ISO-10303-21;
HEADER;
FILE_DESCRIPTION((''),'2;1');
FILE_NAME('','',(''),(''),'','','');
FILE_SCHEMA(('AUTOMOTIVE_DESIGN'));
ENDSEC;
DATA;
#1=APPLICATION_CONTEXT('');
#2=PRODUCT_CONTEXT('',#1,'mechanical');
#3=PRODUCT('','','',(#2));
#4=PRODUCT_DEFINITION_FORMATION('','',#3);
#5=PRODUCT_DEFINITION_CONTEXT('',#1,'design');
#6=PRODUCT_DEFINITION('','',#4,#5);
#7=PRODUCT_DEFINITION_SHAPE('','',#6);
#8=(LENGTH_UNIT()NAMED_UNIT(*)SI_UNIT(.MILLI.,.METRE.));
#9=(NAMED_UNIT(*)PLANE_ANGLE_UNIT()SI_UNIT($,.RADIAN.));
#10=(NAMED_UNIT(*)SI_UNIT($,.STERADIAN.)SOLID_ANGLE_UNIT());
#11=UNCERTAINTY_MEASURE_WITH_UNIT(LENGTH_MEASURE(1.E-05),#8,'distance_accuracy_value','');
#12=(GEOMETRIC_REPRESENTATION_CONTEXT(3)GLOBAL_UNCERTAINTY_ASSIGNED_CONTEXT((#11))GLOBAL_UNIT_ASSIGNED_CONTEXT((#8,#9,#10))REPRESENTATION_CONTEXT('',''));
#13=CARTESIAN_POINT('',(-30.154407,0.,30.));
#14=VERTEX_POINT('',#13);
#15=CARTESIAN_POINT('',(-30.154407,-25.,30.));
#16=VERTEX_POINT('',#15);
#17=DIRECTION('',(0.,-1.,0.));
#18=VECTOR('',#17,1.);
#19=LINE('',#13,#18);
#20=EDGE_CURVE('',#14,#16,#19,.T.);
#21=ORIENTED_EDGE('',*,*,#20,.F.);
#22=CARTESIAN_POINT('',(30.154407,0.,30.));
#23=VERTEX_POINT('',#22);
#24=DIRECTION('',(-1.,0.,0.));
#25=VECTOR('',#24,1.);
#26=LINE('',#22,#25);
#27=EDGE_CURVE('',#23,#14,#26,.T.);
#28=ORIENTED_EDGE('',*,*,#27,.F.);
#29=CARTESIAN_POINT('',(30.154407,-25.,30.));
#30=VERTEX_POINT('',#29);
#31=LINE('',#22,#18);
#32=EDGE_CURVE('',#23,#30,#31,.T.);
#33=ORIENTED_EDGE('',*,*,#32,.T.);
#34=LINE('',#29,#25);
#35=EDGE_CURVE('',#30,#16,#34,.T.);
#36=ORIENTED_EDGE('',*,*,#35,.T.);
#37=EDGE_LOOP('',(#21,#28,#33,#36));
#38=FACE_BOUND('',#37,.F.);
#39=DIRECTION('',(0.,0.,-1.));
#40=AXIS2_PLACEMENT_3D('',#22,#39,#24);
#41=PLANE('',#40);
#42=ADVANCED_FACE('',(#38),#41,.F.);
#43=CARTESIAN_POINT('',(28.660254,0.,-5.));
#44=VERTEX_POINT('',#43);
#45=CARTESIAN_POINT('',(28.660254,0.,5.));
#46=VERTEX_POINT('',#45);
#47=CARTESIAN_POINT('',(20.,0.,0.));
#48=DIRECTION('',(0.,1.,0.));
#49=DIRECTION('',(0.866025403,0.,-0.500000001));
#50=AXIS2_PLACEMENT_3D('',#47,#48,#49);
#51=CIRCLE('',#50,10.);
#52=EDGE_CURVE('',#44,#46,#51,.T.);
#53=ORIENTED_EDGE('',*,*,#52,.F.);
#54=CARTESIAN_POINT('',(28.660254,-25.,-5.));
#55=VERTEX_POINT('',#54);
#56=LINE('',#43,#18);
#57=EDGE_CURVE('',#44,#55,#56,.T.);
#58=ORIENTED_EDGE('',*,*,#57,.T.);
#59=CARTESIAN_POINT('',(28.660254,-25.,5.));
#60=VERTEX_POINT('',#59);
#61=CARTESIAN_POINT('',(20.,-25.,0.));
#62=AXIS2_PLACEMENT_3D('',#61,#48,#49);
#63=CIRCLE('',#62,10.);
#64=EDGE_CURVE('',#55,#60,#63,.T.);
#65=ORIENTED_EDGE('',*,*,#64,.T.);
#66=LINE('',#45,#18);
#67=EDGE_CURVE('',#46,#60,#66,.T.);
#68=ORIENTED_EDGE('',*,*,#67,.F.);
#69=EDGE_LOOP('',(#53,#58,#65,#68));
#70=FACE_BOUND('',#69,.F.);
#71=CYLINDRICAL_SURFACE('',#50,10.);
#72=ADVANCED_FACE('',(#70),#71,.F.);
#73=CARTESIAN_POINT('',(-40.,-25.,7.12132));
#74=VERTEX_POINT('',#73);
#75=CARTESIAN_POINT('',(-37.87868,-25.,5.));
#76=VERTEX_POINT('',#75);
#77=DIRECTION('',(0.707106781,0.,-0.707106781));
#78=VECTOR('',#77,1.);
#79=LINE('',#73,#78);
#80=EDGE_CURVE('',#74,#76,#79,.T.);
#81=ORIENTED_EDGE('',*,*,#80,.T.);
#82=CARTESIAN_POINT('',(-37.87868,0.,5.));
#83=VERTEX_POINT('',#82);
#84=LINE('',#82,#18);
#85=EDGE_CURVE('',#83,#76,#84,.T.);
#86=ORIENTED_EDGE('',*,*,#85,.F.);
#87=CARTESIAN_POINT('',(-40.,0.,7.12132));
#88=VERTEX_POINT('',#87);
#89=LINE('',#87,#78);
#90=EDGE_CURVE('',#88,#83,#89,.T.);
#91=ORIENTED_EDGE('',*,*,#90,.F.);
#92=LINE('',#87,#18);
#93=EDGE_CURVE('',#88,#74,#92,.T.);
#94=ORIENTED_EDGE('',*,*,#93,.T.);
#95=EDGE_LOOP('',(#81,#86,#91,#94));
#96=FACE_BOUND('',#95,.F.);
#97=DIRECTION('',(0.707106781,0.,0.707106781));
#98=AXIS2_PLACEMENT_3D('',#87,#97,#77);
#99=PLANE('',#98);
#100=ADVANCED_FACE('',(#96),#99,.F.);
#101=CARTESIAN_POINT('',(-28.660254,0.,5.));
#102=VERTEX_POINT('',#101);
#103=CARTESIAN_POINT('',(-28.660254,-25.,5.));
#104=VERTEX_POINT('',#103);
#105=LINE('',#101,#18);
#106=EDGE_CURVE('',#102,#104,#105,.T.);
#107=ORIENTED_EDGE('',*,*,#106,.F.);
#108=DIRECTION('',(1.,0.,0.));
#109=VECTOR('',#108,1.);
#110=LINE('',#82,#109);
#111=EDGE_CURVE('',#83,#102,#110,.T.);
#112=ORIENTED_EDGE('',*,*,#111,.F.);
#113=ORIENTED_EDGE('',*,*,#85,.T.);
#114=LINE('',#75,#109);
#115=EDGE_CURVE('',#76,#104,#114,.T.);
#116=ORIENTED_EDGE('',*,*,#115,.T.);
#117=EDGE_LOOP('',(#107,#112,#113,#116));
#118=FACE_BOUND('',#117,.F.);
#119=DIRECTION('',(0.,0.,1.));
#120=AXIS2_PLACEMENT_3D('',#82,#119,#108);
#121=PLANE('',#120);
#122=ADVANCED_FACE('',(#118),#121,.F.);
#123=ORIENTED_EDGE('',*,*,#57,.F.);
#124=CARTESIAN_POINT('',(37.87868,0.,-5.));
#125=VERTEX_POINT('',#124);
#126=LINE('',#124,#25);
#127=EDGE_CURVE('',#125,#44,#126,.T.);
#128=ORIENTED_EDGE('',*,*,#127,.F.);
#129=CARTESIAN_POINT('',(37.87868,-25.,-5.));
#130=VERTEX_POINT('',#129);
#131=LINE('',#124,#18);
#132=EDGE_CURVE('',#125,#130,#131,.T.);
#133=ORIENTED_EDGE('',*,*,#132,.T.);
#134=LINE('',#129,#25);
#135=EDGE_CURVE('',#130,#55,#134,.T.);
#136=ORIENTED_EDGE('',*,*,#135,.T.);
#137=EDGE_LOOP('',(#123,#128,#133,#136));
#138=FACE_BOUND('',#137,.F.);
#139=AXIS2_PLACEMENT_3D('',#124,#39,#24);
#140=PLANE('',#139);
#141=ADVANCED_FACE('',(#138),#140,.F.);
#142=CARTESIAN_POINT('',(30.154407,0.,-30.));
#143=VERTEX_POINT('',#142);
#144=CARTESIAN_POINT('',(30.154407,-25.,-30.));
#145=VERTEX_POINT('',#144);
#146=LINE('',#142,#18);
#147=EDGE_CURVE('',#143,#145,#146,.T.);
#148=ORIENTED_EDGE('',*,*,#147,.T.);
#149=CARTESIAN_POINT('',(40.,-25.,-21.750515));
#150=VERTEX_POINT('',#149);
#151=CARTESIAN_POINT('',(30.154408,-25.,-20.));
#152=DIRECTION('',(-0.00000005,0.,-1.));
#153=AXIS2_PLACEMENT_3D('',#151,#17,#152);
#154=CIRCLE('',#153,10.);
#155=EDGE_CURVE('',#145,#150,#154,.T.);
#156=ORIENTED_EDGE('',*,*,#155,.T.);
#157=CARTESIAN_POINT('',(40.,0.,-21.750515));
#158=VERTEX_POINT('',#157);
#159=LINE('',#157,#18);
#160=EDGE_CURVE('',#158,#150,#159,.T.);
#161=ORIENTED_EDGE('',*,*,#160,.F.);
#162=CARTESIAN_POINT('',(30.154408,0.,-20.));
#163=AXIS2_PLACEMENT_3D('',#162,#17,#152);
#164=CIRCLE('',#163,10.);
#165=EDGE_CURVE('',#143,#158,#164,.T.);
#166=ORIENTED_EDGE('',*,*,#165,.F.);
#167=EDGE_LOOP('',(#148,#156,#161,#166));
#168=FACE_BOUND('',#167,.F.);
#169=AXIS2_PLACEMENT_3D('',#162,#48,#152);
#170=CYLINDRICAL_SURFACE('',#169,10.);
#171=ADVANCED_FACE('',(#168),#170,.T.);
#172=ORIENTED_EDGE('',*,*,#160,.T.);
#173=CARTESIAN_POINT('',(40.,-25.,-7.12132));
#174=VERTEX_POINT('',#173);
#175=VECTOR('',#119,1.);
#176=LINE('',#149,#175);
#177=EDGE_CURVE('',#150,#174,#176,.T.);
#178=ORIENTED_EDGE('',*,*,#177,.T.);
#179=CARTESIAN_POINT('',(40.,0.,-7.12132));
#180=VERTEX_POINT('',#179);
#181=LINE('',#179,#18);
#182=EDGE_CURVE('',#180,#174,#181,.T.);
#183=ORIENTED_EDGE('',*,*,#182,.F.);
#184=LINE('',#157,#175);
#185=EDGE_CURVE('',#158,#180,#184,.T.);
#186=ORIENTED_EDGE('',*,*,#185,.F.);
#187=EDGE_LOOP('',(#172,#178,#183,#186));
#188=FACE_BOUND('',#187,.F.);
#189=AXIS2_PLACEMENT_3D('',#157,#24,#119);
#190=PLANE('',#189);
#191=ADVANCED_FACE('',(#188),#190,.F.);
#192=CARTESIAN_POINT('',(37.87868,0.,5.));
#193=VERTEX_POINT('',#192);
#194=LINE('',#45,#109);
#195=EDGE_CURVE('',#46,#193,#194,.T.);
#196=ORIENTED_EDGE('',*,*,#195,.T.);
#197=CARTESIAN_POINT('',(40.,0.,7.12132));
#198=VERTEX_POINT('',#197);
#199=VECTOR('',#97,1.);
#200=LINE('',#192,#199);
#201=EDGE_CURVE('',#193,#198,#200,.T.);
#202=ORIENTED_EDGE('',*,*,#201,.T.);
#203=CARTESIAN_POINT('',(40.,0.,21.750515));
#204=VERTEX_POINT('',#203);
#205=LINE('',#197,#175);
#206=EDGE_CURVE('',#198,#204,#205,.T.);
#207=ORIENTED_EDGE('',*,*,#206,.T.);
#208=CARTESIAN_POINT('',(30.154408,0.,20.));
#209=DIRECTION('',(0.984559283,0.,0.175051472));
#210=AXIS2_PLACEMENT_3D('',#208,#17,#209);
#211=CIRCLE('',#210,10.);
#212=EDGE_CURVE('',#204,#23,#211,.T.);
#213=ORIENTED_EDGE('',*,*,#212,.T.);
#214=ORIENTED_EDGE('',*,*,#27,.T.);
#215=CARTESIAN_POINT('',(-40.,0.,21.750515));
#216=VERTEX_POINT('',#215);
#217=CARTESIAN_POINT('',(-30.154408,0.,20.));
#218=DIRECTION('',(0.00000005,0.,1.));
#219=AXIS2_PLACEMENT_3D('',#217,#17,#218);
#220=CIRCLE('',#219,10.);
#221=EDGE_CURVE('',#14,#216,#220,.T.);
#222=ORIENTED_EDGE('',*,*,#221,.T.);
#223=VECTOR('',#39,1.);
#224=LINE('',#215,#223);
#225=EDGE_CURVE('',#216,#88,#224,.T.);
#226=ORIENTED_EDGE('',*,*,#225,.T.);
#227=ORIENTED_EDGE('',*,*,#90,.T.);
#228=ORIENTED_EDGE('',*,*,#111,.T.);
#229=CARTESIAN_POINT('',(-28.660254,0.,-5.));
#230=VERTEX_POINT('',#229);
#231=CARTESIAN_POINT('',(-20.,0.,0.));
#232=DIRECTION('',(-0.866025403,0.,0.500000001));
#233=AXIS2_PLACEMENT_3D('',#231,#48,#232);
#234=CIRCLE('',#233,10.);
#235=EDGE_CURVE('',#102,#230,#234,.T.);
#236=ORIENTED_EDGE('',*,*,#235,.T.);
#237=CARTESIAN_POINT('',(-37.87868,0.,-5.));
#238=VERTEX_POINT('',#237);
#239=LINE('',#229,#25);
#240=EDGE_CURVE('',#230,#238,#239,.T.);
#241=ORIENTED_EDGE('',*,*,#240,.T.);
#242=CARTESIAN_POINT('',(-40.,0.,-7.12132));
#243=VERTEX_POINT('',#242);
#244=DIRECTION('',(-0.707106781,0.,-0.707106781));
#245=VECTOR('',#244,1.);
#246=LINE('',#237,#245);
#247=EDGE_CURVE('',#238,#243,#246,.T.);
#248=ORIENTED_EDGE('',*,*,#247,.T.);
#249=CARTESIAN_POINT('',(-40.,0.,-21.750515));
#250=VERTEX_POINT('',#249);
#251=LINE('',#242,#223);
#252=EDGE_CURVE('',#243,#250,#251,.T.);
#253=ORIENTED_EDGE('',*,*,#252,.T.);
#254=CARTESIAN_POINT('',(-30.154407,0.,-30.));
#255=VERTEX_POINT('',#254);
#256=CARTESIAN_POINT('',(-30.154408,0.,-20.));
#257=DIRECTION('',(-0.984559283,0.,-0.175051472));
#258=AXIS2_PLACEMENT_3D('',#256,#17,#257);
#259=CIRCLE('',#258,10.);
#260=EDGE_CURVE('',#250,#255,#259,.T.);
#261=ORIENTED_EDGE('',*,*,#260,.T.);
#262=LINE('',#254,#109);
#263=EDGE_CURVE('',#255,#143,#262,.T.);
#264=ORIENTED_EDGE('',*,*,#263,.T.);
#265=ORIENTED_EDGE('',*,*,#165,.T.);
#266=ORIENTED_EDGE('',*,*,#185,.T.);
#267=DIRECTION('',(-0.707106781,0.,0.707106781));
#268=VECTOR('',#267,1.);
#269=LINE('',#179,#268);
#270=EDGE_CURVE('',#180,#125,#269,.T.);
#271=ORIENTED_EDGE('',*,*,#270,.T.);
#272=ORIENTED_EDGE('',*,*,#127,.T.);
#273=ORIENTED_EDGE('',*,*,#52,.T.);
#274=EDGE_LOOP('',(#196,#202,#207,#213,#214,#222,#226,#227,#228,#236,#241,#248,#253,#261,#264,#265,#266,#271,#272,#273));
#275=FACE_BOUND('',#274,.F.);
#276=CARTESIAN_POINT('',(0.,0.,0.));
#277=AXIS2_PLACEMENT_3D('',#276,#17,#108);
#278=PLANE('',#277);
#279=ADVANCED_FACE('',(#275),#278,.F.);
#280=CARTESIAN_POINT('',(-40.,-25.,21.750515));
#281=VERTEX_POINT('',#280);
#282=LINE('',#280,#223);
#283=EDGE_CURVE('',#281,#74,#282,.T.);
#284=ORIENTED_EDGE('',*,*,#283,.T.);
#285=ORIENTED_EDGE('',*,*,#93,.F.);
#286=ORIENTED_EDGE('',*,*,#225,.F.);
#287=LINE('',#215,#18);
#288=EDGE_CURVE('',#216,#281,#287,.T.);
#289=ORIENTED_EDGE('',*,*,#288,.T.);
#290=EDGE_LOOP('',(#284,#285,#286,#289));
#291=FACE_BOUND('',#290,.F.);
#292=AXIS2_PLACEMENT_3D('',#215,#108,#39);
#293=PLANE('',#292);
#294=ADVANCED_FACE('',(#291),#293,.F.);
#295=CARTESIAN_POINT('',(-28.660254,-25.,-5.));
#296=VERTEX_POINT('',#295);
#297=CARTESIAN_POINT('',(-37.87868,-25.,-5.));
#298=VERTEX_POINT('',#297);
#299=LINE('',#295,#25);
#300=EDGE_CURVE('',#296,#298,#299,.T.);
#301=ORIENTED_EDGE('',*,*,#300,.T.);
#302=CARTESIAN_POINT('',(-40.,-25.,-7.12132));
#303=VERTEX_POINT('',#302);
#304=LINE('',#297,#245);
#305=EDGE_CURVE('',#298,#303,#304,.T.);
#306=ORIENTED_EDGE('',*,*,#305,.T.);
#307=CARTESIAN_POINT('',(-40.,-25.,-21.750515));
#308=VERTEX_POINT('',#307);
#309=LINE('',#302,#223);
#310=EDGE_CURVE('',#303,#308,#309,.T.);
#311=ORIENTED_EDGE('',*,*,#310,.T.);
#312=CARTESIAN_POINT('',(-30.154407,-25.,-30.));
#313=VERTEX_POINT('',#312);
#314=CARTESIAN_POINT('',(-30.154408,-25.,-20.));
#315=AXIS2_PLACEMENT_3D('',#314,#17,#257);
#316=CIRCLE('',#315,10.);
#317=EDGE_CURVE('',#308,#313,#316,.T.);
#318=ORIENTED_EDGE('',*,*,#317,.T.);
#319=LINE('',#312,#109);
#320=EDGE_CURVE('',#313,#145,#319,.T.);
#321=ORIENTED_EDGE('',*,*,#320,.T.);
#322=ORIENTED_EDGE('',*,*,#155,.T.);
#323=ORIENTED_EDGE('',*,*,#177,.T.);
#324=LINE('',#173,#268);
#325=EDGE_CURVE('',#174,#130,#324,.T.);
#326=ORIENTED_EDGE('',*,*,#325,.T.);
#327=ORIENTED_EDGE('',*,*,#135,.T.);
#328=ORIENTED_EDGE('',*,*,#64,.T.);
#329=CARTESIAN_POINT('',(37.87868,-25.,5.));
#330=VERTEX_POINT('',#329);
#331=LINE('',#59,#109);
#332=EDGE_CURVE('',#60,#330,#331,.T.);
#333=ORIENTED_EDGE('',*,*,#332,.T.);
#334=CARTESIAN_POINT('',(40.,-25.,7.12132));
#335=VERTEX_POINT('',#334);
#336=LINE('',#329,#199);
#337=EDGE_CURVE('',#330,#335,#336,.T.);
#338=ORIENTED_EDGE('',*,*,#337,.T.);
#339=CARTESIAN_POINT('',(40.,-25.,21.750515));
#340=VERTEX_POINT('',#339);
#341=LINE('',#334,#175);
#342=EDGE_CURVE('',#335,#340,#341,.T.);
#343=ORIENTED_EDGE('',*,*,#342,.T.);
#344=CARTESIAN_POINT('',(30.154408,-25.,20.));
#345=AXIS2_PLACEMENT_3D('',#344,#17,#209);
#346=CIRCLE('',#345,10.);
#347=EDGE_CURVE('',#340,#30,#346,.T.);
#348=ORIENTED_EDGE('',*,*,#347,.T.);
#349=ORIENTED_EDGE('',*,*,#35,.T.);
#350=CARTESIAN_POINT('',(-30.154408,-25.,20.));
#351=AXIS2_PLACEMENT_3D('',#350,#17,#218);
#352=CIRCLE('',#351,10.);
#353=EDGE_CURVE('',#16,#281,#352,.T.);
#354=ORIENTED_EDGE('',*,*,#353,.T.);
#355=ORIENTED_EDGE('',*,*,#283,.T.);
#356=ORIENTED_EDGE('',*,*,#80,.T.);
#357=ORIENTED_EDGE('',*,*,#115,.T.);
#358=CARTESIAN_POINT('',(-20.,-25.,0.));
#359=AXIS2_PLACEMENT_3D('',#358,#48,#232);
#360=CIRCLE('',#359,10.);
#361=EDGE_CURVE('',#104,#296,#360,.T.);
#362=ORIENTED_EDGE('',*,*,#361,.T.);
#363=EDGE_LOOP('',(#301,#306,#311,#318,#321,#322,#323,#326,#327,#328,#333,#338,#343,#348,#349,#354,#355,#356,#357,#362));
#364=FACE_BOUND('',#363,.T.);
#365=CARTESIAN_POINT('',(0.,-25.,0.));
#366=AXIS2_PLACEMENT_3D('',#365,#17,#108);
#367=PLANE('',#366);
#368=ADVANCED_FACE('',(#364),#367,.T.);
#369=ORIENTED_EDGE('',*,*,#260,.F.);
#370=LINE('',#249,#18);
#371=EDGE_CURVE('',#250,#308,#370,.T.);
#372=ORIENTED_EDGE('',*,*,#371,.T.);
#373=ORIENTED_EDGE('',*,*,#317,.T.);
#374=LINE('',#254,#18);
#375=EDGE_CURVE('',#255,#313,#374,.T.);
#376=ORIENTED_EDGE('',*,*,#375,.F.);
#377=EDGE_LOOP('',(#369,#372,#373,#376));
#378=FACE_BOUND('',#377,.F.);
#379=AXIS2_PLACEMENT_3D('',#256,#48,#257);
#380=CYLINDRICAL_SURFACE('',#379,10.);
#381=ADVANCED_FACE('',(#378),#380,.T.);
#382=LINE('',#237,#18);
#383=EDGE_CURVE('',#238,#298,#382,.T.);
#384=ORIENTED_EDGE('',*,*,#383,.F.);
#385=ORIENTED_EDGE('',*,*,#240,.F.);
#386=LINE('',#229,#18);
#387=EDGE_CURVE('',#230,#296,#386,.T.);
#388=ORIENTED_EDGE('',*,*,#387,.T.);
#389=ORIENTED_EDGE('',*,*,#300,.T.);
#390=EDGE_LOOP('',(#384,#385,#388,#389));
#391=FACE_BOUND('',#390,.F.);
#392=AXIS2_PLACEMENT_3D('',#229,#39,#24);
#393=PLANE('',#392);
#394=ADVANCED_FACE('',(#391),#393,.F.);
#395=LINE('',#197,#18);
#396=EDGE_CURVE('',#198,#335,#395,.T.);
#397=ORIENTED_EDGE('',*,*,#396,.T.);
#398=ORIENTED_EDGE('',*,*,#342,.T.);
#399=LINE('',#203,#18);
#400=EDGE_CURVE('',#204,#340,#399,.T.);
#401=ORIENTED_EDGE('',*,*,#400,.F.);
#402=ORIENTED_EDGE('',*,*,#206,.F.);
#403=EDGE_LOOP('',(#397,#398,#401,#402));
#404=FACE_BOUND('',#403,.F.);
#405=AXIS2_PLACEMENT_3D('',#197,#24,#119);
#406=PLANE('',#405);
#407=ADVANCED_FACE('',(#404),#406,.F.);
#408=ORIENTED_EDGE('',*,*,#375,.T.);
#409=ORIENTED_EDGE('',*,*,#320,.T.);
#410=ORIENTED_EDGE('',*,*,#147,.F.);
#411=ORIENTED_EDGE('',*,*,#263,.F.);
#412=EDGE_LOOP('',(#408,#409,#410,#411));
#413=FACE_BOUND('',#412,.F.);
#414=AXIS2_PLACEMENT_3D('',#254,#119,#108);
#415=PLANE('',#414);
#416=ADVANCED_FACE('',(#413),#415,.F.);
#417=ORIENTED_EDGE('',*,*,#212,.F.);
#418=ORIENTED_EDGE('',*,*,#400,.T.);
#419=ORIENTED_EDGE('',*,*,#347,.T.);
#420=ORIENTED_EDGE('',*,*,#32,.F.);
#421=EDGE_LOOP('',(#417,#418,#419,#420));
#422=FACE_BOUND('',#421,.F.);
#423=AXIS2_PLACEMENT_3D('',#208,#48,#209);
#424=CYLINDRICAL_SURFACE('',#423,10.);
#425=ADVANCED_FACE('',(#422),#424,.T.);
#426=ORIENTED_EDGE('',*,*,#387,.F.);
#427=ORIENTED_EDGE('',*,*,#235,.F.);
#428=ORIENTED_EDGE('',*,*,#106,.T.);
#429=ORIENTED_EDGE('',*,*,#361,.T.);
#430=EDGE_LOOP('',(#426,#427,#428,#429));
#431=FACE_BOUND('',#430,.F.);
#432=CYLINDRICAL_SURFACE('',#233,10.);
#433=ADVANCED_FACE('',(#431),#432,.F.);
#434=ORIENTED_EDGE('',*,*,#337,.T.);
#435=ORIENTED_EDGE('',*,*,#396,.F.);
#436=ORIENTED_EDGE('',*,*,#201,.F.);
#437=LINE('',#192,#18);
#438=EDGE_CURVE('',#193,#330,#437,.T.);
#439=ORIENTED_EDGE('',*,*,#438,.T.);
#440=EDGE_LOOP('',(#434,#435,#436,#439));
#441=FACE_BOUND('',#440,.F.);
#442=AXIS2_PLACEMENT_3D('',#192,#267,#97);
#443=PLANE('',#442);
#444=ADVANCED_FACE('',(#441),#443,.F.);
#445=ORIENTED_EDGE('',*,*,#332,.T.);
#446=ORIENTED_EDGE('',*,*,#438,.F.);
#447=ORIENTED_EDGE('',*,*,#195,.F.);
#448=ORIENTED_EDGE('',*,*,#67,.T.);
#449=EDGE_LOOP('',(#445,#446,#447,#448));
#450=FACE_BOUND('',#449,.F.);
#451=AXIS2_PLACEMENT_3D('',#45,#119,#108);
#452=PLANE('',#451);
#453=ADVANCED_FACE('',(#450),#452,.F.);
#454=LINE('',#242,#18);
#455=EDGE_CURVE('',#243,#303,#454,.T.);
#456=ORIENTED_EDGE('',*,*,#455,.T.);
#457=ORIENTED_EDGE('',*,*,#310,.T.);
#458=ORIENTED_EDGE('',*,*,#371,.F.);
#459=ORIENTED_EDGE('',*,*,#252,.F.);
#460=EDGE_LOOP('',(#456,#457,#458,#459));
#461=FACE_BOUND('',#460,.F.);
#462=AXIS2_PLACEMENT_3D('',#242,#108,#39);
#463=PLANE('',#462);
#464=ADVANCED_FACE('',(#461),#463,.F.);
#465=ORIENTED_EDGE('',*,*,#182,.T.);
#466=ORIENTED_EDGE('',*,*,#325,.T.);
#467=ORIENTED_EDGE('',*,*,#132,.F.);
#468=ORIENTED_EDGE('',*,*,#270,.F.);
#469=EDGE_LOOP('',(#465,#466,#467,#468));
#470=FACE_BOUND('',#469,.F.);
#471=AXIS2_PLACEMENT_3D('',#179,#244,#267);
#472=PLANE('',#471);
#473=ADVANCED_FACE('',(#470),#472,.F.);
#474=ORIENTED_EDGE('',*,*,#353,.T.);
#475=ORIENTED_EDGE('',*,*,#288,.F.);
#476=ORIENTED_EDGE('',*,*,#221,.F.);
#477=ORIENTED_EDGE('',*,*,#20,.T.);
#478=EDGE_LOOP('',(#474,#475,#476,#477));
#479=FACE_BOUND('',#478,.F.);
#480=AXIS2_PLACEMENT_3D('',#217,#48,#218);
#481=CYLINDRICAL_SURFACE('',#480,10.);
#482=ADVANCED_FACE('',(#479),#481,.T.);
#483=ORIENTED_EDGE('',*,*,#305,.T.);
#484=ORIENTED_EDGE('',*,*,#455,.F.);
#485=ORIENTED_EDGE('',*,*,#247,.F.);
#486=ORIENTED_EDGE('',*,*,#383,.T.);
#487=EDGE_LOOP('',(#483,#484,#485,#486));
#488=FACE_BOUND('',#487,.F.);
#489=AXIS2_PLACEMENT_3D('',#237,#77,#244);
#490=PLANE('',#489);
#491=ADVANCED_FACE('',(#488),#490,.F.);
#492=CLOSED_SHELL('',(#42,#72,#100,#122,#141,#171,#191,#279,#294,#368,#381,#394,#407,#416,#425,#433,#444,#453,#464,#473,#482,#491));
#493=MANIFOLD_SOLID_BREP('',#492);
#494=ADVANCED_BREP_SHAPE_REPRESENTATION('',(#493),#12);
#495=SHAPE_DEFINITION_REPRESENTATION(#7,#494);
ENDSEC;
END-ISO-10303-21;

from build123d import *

# Parameters (mm, degrees)
F1_DEPTH = 25


with BuildPart() as f1:
    # F0 (on Front) → F1 (new body)
    with BuildSketch(Plane.XZ):
        with BuildLine():
            Line((30.154407, 30), (0, 30))
            Line((0, 30), (-30.154407, 30))
            ThreePointArc((-30.154407, 30), (-36.576823, 27.665023), (-40, 21.750515))
            Line((-40, 21.750515), (-40, 7.12132))
            Line((-40, 7.12132), (-37.87868, 5))
            Line((-37.87868, 5), (-28.660254, 5))
            ThreePointArc((-28.660254, 5), (-10, 0), (-28.660254, -5))
            Line((-28.660254, -5), (-37.87868, -5))
            Line((-37.87868, -5), (-40, -7.12132))
            Line((-40, -7.12132), (-40, -21.750515))
            ThreePointArc((-40, -21.750515), (-36.576823, -27.665023), (-30.154407, -30))
            Line((-30.154407, -30), (0, -30))
            Line((0, -30), (30.154407, -30))
            ThreePointArc((30.154407, -30), (36.576823, -27.665023), (40, -21.750515))
            Line((40, -21.750515), (40, -7.12132))
            Line((40, -7.12132), (37.87868, -5))
            Line((37.87868, -5), (28.660254, -5))
            ThreePointArc((28.660254, -5), (10, 0), (28.660254, 5))
            Line((28.660254, 5), (37.87868, 5))
            Line((37.87868, 5), (40, 7.12132))
            Line((40, 7.12132), (40, 21.750515))
            ThreePointArc((40, 21.750515), (36.576823, 27.665023), (30.154407, 30))
        make_face()
    extrude(amount=F1_DEPTH)


solid = f1.part
